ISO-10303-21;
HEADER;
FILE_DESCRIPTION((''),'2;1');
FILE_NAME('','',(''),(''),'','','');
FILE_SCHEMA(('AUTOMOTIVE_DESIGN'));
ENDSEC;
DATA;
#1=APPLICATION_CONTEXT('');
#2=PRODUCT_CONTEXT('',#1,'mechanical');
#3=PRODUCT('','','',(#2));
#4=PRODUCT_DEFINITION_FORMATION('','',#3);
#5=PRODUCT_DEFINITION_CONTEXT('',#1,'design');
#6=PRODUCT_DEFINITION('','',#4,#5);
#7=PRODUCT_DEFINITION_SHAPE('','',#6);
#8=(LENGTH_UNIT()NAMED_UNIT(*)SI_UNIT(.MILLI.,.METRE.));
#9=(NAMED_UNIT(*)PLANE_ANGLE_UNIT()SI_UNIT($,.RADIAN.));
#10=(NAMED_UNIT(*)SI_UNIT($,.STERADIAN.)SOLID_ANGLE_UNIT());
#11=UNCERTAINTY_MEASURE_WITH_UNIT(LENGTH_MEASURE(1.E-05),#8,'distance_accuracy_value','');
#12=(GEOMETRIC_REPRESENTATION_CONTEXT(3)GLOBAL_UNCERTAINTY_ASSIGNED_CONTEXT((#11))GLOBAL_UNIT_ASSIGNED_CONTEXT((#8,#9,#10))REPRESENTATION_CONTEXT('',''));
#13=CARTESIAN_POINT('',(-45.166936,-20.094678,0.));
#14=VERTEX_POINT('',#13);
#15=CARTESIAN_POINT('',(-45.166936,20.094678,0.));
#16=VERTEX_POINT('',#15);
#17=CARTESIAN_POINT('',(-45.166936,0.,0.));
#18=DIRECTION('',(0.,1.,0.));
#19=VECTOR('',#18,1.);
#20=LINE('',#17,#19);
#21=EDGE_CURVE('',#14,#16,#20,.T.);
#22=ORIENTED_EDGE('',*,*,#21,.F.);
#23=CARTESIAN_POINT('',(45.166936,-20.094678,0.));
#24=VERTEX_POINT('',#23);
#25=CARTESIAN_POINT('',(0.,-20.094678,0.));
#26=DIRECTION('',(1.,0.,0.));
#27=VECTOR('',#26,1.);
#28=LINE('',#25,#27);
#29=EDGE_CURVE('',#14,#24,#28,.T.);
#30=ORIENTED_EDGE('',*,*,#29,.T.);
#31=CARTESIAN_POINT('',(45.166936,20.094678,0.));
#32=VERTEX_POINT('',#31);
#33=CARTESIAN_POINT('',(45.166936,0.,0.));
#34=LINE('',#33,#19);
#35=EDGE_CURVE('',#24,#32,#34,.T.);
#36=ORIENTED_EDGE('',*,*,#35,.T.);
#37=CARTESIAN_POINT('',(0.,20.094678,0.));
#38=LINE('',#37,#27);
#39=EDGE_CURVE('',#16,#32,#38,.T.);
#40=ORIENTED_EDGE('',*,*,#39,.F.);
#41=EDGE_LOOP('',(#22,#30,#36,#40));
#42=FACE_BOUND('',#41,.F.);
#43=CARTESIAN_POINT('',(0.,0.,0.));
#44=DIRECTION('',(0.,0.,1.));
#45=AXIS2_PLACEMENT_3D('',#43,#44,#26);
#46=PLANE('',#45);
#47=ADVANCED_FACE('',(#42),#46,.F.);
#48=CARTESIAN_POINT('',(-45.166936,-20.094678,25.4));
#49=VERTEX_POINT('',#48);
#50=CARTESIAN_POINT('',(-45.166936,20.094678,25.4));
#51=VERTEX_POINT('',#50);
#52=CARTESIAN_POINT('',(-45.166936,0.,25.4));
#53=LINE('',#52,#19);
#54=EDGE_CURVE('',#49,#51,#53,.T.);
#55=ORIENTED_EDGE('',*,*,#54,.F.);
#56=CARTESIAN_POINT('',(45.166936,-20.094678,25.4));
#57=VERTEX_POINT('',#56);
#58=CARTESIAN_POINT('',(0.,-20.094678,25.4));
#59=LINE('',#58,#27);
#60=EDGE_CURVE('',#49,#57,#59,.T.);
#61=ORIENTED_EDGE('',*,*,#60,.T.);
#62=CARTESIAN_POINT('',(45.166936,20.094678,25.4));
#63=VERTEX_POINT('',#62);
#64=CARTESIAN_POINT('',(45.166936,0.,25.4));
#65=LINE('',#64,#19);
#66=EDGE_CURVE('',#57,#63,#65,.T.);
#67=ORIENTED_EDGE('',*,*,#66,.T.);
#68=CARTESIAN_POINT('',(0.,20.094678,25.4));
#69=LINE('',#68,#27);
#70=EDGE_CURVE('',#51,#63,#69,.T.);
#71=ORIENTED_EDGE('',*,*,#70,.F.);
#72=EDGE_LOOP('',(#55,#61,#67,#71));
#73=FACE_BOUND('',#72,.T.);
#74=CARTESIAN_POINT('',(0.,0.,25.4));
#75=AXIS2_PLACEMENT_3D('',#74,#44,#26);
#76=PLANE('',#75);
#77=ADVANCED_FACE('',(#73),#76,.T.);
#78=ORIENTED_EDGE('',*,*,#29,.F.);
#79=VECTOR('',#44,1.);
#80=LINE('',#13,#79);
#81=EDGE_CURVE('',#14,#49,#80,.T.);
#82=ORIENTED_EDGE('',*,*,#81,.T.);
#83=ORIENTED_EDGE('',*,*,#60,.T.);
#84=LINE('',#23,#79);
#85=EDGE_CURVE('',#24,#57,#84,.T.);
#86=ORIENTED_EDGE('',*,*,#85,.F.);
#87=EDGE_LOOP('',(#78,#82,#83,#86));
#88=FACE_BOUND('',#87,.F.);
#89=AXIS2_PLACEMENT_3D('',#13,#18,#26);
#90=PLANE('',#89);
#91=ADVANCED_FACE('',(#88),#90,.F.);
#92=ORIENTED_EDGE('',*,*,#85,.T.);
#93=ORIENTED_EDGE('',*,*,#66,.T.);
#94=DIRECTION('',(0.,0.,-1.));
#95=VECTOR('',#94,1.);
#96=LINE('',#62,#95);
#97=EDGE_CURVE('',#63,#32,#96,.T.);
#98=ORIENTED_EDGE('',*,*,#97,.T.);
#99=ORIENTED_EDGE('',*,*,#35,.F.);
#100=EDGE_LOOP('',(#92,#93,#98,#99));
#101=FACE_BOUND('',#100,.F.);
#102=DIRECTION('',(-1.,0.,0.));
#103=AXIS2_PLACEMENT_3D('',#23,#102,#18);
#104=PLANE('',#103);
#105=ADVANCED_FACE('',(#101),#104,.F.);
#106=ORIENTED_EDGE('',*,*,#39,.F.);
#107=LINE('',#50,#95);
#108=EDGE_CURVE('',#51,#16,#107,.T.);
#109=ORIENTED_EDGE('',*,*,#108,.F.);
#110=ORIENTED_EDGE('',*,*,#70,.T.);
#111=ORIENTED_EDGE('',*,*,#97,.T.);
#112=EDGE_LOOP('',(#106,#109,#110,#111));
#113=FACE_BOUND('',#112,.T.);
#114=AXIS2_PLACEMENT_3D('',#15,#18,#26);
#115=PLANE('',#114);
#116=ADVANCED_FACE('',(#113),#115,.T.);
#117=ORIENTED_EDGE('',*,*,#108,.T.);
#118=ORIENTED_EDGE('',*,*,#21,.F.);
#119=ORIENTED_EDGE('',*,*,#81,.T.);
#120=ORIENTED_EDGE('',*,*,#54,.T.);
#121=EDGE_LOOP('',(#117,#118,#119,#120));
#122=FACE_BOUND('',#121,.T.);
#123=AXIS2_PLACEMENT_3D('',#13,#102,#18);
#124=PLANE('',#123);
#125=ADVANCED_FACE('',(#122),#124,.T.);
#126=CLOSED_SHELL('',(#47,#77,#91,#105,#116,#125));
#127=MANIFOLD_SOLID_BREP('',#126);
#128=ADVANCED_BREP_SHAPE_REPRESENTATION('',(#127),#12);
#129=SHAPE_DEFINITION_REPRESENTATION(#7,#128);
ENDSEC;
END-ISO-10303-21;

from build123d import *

# Parameters (mm, degrees)
F0_W          = 90.333872
F0_H          = 40.189356
F1_DEPTH      = 25.4
F1_FACE_W     = 90.333872
F1_FACE_H     = 40.189356
F2_DEPTH      = 5.842
F2_DEPTH_BACK = 3.81


with BuildPart() as f1:
    # F0 (on Top) → F1 (new body)
    with BuildSketch(Plane.XY):
        Rectangle(F0_W, F0_H)
    extrude(amount=F1_DEPTH)

    # F1_face (on face) → F2 (join, two sides)
    with BuildSketch(Plane(origin=(0, 0, 0), x_dir=(1, 0, 0), z_dir=(0, 0, -1))) as f2_sk:
        Rectangle(F1_FACE_W, F1_FACE_H)
    extrude(amount=-F2_DEPTH)
    extrude(f2_sk.sketch, amount=-F2_DEPTH_BACK)


solid = f1.part
